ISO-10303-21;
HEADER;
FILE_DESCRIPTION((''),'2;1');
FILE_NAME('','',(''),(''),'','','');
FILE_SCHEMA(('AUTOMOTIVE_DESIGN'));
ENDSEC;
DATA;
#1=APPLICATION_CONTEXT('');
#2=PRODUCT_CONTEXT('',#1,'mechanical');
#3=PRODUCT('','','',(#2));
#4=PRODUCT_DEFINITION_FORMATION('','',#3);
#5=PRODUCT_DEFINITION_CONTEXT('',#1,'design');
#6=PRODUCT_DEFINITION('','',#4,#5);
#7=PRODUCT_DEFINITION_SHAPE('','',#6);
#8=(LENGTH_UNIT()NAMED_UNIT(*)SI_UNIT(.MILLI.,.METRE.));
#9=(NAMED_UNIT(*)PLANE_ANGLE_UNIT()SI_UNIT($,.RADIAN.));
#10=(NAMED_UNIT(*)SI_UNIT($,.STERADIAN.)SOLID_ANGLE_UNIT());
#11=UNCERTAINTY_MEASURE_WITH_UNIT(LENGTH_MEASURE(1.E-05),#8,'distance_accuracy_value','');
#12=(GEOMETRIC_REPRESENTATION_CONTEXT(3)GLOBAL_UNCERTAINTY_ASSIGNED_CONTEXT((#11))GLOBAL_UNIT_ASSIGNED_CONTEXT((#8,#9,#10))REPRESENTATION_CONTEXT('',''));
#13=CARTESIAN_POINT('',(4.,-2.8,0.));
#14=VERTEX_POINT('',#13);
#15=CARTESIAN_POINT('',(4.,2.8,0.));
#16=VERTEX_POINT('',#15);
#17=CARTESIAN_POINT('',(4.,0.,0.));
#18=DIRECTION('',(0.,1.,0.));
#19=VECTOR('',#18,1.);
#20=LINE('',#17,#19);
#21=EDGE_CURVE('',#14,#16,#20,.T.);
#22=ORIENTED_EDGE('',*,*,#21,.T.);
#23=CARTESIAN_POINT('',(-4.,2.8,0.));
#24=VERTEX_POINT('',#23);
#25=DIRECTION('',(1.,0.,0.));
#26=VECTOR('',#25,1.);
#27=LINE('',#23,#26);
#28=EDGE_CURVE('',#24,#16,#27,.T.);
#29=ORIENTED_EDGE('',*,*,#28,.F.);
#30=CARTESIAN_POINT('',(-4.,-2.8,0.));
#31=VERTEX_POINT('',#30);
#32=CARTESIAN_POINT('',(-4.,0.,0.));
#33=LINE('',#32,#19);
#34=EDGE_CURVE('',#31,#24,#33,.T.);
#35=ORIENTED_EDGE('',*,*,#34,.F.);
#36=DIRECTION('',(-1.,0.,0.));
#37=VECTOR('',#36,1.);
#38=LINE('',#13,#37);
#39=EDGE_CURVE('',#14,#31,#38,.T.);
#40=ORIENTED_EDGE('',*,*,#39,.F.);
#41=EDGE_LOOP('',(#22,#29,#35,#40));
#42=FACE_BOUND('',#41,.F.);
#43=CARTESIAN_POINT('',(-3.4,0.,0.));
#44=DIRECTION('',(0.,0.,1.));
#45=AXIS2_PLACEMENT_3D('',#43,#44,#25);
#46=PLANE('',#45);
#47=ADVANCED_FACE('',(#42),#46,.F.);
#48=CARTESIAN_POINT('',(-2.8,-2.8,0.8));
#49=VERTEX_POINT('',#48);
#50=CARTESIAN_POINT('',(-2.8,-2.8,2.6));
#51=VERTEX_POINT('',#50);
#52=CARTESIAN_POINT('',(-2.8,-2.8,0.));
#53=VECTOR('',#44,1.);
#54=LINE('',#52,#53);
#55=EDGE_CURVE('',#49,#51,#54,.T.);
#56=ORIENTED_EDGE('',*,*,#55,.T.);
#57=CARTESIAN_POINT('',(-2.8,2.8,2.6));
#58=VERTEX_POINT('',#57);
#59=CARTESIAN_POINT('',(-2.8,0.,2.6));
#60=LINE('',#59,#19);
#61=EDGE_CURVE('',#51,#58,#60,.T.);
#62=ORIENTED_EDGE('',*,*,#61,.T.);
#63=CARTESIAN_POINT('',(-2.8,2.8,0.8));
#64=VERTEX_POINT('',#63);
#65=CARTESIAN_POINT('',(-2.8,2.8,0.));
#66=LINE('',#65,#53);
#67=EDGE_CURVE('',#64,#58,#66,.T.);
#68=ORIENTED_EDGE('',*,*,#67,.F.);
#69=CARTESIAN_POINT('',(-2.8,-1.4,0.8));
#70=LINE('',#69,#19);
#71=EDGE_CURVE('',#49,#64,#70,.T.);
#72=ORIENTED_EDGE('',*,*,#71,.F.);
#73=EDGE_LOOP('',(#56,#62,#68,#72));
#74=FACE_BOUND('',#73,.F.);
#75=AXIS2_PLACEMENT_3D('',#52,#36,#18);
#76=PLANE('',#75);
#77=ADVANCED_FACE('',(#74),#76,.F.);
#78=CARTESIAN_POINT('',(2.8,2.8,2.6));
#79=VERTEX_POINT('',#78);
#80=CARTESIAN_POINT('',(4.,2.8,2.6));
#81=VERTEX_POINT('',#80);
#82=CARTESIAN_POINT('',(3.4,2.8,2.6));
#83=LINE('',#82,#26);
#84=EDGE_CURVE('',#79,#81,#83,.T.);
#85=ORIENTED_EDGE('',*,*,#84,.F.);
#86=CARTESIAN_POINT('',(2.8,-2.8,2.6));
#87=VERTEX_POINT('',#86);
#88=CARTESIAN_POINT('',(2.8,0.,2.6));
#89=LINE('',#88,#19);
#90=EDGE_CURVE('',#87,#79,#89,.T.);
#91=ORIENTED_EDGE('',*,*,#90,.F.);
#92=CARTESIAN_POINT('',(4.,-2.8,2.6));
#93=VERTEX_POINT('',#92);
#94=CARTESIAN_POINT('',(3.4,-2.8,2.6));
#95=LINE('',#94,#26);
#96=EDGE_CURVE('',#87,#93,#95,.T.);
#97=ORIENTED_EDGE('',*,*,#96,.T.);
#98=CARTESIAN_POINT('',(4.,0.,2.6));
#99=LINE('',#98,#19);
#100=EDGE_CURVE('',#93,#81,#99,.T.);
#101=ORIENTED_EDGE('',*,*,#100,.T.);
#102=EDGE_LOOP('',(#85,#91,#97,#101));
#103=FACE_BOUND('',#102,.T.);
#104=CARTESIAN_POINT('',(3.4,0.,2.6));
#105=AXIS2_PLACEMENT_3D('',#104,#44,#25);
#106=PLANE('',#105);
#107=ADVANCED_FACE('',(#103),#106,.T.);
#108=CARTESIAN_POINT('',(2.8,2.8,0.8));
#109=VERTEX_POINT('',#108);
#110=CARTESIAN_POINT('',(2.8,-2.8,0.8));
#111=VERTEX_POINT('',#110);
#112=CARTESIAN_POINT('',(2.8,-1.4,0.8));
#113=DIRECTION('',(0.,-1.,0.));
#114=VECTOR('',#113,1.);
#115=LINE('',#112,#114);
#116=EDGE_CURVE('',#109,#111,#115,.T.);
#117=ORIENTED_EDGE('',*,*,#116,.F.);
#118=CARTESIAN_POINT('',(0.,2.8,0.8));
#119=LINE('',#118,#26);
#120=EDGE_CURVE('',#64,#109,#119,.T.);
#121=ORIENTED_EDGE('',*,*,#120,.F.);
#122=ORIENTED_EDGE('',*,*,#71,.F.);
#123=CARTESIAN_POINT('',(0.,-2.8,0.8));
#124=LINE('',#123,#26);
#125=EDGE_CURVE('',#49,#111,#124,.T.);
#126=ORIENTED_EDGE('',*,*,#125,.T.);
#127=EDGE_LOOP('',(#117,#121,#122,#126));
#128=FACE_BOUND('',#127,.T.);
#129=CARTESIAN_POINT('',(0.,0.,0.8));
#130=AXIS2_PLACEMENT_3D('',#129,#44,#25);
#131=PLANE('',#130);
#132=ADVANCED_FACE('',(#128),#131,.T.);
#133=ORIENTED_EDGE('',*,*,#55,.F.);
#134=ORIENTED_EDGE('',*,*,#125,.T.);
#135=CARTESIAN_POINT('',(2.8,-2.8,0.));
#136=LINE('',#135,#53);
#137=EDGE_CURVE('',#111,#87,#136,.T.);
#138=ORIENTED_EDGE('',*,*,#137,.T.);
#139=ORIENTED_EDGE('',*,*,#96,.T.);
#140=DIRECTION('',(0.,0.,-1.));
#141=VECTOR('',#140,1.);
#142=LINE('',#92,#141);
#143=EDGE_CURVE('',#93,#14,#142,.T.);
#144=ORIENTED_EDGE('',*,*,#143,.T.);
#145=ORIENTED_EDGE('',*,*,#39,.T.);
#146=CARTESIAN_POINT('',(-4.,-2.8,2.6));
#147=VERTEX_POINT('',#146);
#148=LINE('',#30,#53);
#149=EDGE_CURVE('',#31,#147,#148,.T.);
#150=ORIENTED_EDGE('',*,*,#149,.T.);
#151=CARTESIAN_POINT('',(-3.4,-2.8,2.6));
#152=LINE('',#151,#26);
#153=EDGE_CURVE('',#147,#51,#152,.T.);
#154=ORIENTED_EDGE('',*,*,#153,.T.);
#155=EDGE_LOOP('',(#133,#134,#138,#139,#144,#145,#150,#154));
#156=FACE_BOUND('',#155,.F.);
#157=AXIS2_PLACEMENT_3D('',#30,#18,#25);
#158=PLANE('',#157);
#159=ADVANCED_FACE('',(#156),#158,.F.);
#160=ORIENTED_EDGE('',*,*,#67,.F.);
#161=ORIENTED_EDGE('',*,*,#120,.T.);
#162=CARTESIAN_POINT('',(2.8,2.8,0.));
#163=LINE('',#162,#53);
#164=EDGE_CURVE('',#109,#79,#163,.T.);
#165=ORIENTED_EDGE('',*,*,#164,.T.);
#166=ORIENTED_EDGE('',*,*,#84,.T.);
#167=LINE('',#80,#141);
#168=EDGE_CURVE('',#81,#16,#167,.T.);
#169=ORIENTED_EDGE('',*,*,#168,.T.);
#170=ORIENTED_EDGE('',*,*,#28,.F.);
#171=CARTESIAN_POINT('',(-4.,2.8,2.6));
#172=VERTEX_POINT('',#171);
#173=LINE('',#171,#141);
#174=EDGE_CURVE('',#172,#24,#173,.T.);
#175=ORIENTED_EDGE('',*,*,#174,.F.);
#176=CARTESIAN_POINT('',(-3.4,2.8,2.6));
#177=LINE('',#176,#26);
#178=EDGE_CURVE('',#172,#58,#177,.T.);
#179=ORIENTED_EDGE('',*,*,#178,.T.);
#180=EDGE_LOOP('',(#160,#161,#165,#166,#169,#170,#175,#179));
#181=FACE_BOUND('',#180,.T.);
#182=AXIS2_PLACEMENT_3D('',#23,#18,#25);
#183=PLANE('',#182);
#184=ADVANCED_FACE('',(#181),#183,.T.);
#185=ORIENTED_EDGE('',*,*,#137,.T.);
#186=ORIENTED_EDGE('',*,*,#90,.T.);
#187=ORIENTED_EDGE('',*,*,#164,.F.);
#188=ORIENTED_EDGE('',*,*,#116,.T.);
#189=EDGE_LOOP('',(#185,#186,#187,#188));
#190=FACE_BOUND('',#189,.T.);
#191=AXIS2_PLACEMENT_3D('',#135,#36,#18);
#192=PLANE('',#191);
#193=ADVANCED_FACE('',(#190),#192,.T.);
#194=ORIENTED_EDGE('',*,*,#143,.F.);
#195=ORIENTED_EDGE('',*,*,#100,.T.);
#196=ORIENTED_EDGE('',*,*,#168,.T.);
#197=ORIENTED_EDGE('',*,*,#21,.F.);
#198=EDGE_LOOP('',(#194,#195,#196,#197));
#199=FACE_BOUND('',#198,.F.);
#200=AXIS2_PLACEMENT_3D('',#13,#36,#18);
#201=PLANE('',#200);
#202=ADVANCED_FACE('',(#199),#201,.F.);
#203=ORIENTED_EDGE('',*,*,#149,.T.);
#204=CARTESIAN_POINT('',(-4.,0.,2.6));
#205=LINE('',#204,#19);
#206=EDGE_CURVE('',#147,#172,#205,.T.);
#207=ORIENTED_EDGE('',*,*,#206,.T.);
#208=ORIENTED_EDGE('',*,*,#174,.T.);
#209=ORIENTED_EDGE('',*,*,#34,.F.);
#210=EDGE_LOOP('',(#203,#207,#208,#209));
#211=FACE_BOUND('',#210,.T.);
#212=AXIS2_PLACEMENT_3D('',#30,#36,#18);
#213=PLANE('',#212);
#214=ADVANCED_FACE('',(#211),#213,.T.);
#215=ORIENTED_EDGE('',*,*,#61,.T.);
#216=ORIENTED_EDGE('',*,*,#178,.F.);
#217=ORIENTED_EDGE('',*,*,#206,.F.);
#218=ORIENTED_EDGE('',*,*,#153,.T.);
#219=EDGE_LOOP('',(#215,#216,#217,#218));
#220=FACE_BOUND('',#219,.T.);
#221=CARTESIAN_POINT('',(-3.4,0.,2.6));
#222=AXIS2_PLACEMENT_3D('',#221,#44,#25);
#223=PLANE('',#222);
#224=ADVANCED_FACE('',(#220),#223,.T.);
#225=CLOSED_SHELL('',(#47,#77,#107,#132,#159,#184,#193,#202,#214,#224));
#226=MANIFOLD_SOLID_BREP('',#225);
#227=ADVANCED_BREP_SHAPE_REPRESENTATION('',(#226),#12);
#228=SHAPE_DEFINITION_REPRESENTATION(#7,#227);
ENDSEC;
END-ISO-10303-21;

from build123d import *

# Parameters (mm, degrees)
BOX001_W     = 8
BOX001_H     = 5.6
BOX001_DEPTH = 0.8
BOX002_W     = 1.2
BOX002_H     = 5.6
BOX002_DEPTH = 2.6
BOX_W        = 1.2
BOX_H        = 5.6
BOX_DEPTH    = 2.6


with BuildPart() as cube001:
    # Box001 → Box001 (new body)
    with BuildSketch(Plane(origin=(-4, -2.8, 0), x_dir=(1, 0, 0), z_dir=(0, 0, 1))):
        with Locations((4, 2.8)):
            Rectangle(BOX001_W, BOX001_H)
    extrude(amount=BOX001_DEPTH)


with BuildPart() as cube002:
    # Box002 → Box002 (new body)
    with BuildSketch(Plane(origin=(2.8, -2.8, 0), x_dir=(1, 0, 0), z_dir=(0, 0, 1))):
        with Locations((0.6, 2.8)):
            Rectangle(BOX002_W, BOX002_H)
    extrude(amount=BOX002_DEPTH)


with BuildPart() as fusion:
    # Box → Box (new body)
    with BuildSketch(Plane(origin=(-4, -2.8, 0), x_dir=(1, 0, 0), z_dir=(0, 0, 1))):
        with Locations((0.6, 2.8)):
            Rectangle(BOX_W, BOX_H)
    extrude(amount=BOX_DEPTH)

    # Fusion: union Cube001, Cube002
    add(cube001.part)
    add(cube002.part)


solid = fusion.part
